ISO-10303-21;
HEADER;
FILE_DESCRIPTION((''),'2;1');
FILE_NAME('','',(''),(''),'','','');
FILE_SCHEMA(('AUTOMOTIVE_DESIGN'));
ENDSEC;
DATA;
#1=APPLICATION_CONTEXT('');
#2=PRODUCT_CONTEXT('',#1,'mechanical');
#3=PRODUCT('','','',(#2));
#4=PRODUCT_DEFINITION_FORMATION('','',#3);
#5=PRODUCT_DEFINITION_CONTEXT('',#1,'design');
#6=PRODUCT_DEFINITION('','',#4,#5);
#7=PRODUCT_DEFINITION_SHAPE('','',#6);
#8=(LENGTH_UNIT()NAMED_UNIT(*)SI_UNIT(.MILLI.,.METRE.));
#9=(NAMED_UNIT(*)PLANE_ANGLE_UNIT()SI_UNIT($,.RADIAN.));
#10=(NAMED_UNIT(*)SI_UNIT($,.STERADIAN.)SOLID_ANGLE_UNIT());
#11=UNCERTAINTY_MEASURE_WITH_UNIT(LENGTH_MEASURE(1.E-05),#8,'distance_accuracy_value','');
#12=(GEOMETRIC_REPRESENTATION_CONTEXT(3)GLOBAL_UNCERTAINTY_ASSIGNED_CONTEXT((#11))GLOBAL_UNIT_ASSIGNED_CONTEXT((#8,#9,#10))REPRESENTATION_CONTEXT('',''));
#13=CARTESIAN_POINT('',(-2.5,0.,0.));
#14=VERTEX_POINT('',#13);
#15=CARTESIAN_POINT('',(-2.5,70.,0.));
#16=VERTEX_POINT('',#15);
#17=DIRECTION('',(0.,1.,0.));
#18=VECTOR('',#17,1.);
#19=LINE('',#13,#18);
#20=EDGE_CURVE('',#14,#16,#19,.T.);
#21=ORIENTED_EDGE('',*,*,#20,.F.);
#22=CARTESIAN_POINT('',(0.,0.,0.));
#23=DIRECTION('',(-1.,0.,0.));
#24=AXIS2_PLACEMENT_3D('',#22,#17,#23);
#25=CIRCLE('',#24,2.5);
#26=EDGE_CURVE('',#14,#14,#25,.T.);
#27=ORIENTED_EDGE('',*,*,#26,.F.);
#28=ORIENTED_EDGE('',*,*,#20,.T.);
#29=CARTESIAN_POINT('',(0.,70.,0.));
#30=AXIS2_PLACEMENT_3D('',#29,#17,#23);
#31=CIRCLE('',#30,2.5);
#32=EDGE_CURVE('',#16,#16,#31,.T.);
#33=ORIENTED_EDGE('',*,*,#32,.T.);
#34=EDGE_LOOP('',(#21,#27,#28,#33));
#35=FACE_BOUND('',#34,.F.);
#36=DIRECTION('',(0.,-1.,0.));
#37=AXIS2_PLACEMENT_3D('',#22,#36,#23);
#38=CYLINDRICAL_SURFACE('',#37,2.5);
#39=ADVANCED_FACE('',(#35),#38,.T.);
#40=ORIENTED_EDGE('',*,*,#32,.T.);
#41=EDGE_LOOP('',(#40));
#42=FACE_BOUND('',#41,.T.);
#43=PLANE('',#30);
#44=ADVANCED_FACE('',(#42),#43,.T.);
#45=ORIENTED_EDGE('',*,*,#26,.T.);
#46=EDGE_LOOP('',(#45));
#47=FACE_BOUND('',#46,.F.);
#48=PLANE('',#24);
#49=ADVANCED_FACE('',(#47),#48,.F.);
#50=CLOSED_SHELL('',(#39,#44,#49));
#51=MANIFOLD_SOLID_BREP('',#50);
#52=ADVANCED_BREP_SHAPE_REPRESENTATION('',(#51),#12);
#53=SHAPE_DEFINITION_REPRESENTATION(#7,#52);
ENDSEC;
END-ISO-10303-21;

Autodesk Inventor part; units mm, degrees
ref_plane "YZ Plane" through (0, 0, 0) normal (1, 0, 0) x (0, 1, 0)
ref_plane "XZ Plane" through (0, 0, 0) normal (0, 1, 0) x (-1, 0, 0)
ref_plane "XY Plane" through (0, 0, 0) normal (0, 0, 1) x (1, 0, 0)
sketch "스케치1" plane through (0, 0, 0) normal (0, 1, 0) x (-1, 0, 0)
  circle A0 centre (0, 0) radius 2.5
  dimension "d0" = 5
extrude "돌출1" add sketch "스케치1" along normal blind 70
properties part number "choook3"
